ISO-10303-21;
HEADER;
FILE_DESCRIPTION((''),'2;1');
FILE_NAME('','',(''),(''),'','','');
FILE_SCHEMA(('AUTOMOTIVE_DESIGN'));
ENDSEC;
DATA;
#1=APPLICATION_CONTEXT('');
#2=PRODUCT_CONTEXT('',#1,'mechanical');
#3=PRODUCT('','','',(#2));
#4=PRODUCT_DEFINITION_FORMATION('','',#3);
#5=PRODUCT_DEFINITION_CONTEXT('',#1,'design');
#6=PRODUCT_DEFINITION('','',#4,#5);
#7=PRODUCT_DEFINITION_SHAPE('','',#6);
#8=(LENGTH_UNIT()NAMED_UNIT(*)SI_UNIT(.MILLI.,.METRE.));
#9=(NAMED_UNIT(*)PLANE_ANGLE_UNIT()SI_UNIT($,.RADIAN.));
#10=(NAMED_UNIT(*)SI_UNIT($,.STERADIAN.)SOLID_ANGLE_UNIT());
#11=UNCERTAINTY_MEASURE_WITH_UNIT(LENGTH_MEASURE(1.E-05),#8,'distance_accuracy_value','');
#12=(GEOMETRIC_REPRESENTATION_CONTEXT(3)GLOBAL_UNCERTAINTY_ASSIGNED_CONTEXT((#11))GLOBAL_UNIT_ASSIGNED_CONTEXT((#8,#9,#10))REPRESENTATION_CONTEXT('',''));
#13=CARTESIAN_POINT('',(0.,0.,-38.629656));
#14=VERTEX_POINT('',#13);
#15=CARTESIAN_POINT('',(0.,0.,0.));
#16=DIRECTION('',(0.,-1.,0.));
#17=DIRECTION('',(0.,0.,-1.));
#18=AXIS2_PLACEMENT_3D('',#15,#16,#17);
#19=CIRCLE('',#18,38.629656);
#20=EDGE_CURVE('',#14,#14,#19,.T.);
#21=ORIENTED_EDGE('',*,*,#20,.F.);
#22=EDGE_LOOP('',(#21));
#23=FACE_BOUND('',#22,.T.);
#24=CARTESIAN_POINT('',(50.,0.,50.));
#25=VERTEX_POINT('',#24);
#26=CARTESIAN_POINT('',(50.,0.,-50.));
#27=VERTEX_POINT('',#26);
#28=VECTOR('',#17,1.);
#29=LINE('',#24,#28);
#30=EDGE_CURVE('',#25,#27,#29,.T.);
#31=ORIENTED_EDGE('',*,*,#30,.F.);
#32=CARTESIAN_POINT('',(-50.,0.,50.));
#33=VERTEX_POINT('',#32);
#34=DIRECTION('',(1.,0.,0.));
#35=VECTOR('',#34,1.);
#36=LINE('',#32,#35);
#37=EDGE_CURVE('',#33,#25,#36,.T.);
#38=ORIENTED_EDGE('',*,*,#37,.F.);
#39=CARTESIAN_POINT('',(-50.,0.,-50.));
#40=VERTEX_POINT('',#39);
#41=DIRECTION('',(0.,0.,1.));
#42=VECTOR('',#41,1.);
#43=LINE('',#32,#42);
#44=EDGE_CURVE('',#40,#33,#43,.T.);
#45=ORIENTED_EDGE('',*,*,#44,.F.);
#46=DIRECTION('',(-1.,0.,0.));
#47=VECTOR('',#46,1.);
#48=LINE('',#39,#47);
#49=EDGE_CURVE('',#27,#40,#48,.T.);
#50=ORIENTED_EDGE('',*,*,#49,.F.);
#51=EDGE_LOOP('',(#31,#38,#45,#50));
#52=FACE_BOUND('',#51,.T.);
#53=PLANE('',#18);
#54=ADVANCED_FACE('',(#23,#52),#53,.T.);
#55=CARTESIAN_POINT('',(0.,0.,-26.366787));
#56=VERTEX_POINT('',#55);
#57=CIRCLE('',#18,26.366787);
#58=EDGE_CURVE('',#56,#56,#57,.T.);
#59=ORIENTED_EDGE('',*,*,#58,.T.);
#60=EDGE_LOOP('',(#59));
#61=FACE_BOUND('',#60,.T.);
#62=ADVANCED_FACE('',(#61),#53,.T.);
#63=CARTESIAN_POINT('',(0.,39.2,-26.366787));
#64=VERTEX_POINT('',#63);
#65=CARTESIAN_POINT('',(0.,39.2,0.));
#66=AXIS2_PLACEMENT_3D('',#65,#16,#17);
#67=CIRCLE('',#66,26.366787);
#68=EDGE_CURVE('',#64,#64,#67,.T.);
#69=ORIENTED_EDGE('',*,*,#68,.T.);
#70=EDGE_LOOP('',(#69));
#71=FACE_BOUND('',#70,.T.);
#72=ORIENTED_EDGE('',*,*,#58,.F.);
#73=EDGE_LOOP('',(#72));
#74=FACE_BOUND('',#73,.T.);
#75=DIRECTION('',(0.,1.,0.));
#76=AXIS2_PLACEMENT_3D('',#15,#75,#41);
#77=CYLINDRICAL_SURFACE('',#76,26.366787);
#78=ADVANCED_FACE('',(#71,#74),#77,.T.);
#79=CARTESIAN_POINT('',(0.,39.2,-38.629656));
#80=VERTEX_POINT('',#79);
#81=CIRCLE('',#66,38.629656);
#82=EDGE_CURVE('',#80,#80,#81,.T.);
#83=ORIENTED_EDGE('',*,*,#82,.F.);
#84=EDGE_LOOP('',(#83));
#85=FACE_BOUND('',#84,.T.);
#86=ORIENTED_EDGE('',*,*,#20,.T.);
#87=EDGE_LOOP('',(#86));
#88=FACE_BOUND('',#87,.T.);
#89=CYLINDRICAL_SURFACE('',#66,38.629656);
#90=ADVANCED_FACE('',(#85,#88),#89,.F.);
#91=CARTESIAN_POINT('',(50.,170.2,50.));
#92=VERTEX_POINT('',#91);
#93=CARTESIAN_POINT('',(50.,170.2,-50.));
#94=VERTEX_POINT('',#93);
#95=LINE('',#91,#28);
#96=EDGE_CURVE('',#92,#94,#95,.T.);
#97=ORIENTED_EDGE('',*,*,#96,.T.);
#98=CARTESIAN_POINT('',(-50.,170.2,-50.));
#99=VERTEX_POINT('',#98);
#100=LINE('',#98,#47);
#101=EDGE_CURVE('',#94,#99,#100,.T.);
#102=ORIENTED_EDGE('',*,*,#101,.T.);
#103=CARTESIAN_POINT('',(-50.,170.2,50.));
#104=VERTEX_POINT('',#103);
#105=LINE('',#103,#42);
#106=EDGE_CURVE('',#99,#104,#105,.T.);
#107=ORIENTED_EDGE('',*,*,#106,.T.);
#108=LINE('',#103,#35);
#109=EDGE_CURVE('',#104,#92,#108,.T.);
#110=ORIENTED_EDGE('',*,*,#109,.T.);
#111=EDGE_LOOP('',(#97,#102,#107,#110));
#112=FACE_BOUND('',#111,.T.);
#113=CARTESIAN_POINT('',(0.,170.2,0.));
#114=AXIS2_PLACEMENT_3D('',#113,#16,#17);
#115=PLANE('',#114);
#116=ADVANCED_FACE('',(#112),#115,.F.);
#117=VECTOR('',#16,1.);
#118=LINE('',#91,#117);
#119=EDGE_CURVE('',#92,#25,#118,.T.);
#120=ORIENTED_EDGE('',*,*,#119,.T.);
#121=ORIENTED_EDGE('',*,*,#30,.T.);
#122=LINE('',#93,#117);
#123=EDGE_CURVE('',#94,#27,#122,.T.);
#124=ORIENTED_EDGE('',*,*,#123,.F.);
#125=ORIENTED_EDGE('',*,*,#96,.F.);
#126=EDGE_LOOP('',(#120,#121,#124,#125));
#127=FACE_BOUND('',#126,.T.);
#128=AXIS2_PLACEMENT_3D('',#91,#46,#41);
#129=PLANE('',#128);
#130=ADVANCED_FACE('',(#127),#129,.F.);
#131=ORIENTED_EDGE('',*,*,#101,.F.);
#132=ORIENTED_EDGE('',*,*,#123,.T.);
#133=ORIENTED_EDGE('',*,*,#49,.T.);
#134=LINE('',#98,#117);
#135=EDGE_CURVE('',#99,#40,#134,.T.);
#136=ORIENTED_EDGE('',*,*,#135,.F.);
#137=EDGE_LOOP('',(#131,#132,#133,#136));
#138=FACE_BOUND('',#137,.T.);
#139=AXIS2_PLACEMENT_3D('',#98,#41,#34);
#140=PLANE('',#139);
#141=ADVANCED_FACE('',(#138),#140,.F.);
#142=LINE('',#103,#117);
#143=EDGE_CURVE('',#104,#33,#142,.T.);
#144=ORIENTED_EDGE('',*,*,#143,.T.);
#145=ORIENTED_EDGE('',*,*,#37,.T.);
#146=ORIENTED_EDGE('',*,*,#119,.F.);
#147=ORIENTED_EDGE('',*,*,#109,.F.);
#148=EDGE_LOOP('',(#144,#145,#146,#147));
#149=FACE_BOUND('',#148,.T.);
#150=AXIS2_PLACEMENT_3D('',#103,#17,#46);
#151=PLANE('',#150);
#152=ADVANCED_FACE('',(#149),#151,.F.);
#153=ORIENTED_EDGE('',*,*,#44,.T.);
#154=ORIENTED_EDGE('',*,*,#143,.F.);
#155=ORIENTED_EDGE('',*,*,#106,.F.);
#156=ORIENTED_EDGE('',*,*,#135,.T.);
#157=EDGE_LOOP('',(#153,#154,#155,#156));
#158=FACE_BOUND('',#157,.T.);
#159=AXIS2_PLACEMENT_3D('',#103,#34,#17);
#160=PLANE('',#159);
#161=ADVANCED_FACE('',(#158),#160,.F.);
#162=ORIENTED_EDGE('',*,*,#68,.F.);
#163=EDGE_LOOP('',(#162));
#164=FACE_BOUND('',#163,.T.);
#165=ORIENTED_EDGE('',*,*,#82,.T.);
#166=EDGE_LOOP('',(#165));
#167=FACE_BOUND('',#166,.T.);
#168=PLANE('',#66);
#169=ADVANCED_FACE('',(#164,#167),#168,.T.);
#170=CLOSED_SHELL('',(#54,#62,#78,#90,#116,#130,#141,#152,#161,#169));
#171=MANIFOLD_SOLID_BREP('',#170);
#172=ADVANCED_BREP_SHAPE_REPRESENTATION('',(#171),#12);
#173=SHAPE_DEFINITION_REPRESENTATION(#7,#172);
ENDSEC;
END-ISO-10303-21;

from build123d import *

# Parameters (mm, degrees)
SKETCH1_W           = 100
SKETCH1_H           = 100
BOSS_EXTRUDE1_DEPTH = 170.2
SKETCH2_R           = 38.629656057
CUT_EXTRUDE1_DEPTH  = 39.2
SKETCH3_R           = 26.36678746
BOSS_EXTRUDE2_DEPTH = 39.2


with BuildPart() as part:
    # Sketch1 → Boss-Extrude1 (new body)
    with BuildSketch(Plane(origin=(0, 0, 0), x_dir=(1, 0, 0), z_dir=(0, 1, 0))):
        Rectangle(SKETCH1_W, SKETCH1_H)
    extrude(amount=BOSS_EXTRUDE1_DEPTH)

    # Sketch2 → Cut-Extrude1 (cut)
    with BuildSketch(Plane.XZ):
        with Locations(Location((0, 0, 0), (0, 0, 270))):
            Circle(SKETCH2_R)
    extrude(amount=-CUT_EXTRUDE1_DEPTH, mode=Mode.SUBTRACT)

    # Sketch3 → Boss-Extrude2 (add)
    with BuildSketch(Plane.XZ.offset(-39.2)):
        with Locations(Location((0, 0, 0), (0, 0, 270))):
            Circle(SKETCH3_R)
    extrude(amount=BOSS_EXTRUDE2_DEPTH)


solid = part.part
